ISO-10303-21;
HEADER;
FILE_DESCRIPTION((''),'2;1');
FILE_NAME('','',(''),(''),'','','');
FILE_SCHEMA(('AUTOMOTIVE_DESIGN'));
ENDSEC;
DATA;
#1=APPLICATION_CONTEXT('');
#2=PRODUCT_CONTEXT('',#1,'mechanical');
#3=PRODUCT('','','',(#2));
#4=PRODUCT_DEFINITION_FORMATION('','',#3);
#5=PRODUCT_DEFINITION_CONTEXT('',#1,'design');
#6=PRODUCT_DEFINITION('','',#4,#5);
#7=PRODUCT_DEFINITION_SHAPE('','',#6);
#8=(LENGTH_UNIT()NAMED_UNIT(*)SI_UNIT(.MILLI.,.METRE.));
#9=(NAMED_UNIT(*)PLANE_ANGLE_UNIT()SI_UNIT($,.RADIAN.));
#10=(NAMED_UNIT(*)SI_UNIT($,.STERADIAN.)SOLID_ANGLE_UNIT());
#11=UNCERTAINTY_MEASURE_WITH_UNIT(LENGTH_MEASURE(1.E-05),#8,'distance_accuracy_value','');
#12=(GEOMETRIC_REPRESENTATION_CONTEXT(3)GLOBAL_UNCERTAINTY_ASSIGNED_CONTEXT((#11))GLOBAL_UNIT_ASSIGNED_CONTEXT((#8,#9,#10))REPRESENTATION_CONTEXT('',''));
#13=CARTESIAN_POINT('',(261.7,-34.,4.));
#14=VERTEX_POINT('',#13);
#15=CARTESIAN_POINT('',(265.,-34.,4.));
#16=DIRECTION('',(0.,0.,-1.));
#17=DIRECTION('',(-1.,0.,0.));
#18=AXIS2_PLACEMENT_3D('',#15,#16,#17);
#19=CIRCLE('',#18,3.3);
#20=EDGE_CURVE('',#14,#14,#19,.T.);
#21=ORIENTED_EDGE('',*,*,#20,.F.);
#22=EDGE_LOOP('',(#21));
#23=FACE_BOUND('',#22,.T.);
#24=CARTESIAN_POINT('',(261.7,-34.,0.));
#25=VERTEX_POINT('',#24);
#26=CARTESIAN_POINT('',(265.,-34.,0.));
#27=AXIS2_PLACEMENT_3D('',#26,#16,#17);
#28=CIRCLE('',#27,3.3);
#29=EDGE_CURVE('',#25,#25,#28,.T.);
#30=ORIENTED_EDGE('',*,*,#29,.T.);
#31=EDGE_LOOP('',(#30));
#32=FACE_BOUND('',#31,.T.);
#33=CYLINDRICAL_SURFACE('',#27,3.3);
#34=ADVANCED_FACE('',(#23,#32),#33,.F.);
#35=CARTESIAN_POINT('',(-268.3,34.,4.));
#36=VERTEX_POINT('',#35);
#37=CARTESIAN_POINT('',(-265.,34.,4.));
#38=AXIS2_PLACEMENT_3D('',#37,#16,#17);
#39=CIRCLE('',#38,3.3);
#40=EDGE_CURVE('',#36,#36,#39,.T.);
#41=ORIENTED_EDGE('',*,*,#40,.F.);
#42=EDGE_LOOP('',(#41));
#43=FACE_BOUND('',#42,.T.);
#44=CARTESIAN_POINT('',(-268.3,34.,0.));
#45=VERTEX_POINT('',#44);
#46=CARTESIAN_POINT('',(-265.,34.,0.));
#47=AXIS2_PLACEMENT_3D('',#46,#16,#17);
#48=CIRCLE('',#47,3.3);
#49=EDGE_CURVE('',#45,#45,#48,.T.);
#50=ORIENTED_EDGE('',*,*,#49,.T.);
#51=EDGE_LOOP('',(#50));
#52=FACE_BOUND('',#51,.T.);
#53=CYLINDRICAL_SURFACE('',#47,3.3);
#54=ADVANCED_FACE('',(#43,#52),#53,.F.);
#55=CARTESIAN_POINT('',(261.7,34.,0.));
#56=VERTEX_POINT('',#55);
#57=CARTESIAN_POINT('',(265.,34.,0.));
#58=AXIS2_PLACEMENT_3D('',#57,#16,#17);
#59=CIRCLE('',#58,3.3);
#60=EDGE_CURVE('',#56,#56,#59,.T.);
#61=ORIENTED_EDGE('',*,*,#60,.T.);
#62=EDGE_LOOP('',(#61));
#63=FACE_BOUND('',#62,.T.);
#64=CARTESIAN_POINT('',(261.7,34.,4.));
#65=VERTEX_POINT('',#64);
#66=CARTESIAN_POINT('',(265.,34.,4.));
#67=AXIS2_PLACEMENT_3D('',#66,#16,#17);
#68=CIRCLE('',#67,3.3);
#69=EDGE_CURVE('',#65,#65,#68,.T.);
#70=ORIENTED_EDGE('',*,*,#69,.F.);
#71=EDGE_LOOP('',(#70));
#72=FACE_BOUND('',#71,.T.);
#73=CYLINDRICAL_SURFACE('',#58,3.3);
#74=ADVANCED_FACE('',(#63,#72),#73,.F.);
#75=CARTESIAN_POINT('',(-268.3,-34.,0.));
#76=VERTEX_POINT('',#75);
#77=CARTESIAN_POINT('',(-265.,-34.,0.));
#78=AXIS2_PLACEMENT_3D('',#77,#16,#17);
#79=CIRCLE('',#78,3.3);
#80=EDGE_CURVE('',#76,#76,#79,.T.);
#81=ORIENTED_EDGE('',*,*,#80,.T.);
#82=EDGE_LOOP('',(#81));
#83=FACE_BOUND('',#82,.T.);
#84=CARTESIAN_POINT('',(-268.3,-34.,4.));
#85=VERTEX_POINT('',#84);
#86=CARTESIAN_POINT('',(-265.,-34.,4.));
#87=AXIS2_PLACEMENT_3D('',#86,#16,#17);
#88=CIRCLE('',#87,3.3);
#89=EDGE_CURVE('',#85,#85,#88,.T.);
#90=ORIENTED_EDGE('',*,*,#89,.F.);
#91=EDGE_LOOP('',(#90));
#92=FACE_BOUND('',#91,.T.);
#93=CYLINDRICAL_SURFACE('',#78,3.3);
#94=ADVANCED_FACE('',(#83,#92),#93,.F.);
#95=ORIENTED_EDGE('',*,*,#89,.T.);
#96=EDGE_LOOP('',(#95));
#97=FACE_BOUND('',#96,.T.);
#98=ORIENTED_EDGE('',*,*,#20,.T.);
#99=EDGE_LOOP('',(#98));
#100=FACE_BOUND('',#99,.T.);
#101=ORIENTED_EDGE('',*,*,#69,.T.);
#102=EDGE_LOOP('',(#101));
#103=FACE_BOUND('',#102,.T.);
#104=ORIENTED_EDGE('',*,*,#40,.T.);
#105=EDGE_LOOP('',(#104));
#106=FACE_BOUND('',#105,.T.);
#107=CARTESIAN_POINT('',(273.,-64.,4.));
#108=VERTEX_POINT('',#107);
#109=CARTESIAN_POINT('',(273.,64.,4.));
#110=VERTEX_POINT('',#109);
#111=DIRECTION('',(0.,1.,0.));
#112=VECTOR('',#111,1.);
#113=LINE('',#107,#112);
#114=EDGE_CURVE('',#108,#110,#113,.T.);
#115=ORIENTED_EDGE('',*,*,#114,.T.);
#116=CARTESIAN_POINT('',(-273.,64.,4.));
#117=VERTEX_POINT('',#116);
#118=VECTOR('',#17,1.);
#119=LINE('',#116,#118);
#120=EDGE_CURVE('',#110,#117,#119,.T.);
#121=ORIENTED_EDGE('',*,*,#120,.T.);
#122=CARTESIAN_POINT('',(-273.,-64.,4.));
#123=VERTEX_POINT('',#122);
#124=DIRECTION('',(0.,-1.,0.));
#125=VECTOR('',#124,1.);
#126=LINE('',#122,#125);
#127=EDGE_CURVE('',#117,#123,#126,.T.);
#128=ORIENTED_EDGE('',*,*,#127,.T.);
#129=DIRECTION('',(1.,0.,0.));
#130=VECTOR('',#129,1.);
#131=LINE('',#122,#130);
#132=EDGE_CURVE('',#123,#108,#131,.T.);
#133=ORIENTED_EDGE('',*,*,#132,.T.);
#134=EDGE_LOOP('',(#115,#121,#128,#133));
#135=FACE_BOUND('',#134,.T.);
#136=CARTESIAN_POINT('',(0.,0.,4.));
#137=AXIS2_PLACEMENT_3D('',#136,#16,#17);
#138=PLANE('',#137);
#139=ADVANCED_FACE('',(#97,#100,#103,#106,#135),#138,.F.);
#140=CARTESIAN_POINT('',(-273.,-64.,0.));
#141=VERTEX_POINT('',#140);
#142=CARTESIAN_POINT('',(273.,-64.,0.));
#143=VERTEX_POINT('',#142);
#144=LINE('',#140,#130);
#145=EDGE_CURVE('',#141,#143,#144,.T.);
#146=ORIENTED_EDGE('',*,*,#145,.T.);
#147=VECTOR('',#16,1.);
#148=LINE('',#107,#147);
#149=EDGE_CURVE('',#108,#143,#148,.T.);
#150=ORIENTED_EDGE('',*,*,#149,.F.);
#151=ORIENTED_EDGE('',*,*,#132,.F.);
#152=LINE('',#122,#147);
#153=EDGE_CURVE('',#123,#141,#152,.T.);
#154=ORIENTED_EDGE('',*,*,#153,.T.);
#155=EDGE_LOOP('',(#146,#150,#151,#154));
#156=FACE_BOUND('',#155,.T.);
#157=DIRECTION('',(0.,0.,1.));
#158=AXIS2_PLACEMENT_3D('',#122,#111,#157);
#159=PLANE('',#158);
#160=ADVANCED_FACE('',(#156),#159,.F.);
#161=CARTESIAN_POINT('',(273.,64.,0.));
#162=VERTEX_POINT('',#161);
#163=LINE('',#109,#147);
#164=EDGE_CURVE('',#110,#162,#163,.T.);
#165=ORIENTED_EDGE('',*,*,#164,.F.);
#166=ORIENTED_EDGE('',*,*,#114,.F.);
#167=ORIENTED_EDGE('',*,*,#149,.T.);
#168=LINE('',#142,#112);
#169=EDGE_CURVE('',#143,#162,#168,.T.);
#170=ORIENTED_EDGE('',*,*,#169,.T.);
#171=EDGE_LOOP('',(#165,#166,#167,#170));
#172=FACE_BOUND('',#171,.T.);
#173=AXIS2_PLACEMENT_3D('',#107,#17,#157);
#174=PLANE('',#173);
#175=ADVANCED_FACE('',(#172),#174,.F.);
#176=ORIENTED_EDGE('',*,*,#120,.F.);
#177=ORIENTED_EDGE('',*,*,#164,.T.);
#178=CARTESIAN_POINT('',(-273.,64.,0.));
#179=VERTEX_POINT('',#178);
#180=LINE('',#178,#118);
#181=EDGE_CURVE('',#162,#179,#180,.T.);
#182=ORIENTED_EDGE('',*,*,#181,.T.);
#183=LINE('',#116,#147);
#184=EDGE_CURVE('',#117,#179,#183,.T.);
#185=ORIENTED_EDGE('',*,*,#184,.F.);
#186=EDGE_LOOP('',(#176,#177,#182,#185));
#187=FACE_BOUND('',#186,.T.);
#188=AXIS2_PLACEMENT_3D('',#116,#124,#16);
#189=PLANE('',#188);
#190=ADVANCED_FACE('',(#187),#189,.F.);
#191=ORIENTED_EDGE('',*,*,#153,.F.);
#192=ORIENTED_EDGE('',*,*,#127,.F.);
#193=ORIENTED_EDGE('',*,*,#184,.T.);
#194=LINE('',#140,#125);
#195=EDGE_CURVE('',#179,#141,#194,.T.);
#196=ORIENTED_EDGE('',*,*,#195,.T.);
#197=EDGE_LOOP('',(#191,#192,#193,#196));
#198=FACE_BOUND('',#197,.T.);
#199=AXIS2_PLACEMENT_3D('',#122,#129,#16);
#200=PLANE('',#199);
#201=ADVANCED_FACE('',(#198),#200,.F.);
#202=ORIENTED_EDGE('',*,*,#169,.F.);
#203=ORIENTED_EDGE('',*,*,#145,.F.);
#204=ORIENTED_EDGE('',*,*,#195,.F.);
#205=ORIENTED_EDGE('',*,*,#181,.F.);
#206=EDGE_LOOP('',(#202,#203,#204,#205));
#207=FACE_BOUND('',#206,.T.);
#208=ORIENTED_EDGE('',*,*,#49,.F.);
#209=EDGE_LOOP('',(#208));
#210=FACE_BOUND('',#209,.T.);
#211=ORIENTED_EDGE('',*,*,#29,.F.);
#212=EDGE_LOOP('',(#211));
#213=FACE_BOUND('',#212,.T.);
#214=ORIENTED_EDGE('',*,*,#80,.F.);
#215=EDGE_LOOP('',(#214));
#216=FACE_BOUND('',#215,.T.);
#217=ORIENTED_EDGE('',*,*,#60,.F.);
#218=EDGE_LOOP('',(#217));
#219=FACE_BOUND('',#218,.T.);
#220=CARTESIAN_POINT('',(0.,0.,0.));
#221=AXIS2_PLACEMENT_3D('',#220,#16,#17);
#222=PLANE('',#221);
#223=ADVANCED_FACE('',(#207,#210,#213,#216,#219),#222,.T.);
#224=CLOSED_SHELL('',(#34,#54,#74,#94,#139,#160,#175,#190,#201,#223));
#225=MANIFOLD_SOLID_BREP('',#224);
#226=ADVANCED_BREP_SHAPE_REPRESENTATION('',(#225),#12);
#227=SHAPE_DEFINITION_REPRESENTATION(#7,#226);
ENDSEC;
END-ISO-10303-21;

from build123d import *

# Parameters (mm, degrees)
ESQUISSE1_W        = 546
ESQUISSE1_H        = 128
BOSS_EXTRU_1_DEPTH = 4
D_GAGEMENT_M61_D   = 6.6


with BuildPart() as part:
    # Esquisse1 → Boss.-Extru.1 (new body)
    with BuildSketch(Plane.XY):
        Rectangle(ESQUISSE1_W, ESQUISSE1_H)
    extrude(amount=BOSS_EXTRU_1_DEPTH)

    # Dégagement M61 (through all)
    with Locations(Plane(origin=(-265, 34, 0), x_dir=(-1, 0, 0), z_dir=(0, 0, -1))):
        with Locations((0, 0), (0, -68), (-530, -68), (-530, 0)):
            Hole(D_GAGEMENT_M61_D / 2)


solid = part.part
